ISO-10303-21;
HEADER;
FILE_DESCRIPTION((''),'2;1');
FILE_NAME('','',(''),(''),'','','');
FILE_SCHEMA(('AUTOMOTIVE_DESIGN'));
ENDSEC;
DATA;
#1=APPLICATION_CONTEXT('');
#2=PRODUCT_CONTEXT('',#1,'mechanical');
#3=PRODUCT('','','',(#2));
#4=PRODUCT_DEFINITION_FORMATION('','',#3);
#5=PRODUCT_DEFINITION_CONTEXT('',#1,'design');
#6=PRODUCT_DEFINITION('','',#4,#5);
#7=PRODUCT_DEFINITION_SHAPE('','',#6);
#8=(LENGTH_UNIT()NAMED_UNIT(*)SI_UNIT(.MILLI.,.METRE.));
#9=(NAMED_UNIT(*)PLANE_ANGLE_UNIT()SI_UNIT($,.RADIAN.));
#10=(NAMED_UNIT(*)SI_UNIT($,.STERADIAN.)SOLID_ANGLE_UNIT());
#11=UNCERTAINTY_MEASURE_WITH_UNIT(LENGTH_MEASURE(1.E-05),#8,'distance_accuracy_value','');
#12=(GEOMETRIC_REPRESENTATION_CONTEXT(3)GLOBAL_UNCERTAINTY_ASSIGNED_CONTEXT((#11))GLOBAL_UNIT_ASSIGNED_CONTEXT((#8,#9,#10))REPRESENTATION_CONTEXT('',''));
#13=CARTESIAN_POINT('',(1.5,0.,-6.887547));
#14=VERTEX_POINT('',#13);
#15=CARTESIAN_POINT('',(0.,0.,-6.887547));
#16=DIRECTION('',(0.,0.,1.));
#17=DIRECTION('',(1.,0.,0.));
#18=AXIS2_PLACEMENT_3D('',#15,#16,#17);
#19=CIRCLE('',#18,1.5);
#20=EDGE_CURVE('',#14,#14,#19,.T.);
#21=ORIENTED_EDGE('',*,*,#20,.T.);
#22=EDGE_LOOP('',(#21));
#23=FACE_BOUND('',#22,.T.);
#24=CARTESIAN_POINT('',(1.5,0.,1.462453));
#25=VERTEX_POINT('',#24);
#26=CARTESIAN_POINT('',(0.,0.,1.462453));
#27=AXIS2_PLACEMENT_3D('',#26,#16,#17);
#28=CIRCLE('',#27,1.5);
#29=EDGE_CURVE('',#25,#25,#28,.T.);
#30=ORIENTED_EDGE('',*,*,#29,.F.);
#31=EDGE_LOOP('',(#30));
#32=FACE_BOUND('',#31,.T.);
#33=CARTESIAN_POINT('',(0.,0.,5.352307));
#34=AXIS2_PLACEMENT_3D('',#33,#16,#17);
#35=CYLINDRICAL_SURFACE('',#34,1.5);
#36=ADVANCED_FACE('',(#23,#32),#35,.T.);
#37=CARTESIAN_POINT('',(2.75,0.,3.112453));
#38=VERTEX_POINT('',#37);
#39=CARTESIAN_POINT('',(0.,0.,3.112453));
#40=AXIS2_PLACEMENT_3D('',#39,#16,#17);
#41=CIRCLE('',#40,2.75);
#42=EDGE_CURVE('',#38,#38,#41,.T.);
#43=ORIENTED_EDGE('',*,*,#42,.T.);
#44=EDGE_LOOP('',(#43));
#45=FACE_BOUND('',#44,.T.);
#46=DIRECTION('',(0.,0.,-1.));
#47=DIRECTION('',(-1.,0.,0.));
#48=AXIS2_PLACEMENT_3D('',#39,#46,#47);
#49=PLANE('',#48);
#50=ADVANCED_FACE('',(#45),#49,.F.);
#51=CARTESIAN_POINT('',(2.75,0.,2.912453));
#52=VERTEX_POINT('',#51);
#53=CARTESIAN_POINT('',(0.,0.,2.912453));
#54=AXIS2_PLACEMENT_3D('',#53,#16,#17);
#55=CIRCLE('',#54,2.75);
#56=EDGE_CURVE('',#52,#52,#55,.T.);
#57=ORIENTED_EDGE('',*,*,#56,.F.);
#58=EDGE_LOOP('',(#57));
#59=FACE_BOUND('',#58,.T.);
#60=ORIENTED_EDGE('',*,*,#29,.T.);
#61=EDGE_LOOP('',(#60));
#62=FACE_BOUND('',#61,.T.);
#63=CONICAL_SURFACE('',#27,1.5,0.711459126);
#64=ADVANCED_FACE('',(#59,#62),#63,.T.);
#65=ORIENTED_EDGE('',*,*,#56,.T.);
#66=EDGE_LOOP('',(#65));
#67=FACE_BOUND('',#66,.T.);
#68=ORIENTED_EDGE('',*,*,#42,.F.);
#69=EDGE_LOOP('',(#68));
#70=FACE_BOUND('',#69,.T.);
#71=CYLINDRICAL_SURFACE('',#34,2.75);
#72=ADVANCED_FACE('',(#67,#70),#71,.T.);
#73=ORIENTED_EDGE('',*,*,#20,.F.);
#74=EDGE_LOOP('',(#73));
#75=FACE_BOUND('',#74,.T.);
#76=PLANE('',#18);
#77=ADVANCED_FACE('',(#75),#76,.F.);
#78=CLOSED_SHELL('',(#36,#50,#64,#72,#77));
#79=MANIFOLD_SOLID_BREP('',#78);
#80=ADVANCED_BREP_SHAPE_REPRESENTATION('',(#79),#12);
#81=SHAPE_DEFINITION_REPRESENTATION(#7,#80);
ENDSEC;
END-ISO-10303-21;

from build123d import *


with BuildPart() as part:
    # 草图1 → 旋转4 (revolve)
    with BuildSketch(Plane(origin=(0, 0, 0), x_dir=(0, 0, -1), z_dir=(1, 0, 0)), mode=Mode.PRIVATE) as revolve_4_sk:
        Polygon((-2.912452823, 2.75), (-1.462452823, 1.5), (6.887547177, 1.5), (6.887547177, 0), (-3.112452823, 0), (-3.112452823, 2.75), align=None)
    revolve(revolve_4_sk.sketch.rotate(Axis((0, 0, 5.35230681), (0, 0, -1)), 90), axis=Axis((0, 0, 5.35230681), (0, 0, -1)))


solid = part.part
